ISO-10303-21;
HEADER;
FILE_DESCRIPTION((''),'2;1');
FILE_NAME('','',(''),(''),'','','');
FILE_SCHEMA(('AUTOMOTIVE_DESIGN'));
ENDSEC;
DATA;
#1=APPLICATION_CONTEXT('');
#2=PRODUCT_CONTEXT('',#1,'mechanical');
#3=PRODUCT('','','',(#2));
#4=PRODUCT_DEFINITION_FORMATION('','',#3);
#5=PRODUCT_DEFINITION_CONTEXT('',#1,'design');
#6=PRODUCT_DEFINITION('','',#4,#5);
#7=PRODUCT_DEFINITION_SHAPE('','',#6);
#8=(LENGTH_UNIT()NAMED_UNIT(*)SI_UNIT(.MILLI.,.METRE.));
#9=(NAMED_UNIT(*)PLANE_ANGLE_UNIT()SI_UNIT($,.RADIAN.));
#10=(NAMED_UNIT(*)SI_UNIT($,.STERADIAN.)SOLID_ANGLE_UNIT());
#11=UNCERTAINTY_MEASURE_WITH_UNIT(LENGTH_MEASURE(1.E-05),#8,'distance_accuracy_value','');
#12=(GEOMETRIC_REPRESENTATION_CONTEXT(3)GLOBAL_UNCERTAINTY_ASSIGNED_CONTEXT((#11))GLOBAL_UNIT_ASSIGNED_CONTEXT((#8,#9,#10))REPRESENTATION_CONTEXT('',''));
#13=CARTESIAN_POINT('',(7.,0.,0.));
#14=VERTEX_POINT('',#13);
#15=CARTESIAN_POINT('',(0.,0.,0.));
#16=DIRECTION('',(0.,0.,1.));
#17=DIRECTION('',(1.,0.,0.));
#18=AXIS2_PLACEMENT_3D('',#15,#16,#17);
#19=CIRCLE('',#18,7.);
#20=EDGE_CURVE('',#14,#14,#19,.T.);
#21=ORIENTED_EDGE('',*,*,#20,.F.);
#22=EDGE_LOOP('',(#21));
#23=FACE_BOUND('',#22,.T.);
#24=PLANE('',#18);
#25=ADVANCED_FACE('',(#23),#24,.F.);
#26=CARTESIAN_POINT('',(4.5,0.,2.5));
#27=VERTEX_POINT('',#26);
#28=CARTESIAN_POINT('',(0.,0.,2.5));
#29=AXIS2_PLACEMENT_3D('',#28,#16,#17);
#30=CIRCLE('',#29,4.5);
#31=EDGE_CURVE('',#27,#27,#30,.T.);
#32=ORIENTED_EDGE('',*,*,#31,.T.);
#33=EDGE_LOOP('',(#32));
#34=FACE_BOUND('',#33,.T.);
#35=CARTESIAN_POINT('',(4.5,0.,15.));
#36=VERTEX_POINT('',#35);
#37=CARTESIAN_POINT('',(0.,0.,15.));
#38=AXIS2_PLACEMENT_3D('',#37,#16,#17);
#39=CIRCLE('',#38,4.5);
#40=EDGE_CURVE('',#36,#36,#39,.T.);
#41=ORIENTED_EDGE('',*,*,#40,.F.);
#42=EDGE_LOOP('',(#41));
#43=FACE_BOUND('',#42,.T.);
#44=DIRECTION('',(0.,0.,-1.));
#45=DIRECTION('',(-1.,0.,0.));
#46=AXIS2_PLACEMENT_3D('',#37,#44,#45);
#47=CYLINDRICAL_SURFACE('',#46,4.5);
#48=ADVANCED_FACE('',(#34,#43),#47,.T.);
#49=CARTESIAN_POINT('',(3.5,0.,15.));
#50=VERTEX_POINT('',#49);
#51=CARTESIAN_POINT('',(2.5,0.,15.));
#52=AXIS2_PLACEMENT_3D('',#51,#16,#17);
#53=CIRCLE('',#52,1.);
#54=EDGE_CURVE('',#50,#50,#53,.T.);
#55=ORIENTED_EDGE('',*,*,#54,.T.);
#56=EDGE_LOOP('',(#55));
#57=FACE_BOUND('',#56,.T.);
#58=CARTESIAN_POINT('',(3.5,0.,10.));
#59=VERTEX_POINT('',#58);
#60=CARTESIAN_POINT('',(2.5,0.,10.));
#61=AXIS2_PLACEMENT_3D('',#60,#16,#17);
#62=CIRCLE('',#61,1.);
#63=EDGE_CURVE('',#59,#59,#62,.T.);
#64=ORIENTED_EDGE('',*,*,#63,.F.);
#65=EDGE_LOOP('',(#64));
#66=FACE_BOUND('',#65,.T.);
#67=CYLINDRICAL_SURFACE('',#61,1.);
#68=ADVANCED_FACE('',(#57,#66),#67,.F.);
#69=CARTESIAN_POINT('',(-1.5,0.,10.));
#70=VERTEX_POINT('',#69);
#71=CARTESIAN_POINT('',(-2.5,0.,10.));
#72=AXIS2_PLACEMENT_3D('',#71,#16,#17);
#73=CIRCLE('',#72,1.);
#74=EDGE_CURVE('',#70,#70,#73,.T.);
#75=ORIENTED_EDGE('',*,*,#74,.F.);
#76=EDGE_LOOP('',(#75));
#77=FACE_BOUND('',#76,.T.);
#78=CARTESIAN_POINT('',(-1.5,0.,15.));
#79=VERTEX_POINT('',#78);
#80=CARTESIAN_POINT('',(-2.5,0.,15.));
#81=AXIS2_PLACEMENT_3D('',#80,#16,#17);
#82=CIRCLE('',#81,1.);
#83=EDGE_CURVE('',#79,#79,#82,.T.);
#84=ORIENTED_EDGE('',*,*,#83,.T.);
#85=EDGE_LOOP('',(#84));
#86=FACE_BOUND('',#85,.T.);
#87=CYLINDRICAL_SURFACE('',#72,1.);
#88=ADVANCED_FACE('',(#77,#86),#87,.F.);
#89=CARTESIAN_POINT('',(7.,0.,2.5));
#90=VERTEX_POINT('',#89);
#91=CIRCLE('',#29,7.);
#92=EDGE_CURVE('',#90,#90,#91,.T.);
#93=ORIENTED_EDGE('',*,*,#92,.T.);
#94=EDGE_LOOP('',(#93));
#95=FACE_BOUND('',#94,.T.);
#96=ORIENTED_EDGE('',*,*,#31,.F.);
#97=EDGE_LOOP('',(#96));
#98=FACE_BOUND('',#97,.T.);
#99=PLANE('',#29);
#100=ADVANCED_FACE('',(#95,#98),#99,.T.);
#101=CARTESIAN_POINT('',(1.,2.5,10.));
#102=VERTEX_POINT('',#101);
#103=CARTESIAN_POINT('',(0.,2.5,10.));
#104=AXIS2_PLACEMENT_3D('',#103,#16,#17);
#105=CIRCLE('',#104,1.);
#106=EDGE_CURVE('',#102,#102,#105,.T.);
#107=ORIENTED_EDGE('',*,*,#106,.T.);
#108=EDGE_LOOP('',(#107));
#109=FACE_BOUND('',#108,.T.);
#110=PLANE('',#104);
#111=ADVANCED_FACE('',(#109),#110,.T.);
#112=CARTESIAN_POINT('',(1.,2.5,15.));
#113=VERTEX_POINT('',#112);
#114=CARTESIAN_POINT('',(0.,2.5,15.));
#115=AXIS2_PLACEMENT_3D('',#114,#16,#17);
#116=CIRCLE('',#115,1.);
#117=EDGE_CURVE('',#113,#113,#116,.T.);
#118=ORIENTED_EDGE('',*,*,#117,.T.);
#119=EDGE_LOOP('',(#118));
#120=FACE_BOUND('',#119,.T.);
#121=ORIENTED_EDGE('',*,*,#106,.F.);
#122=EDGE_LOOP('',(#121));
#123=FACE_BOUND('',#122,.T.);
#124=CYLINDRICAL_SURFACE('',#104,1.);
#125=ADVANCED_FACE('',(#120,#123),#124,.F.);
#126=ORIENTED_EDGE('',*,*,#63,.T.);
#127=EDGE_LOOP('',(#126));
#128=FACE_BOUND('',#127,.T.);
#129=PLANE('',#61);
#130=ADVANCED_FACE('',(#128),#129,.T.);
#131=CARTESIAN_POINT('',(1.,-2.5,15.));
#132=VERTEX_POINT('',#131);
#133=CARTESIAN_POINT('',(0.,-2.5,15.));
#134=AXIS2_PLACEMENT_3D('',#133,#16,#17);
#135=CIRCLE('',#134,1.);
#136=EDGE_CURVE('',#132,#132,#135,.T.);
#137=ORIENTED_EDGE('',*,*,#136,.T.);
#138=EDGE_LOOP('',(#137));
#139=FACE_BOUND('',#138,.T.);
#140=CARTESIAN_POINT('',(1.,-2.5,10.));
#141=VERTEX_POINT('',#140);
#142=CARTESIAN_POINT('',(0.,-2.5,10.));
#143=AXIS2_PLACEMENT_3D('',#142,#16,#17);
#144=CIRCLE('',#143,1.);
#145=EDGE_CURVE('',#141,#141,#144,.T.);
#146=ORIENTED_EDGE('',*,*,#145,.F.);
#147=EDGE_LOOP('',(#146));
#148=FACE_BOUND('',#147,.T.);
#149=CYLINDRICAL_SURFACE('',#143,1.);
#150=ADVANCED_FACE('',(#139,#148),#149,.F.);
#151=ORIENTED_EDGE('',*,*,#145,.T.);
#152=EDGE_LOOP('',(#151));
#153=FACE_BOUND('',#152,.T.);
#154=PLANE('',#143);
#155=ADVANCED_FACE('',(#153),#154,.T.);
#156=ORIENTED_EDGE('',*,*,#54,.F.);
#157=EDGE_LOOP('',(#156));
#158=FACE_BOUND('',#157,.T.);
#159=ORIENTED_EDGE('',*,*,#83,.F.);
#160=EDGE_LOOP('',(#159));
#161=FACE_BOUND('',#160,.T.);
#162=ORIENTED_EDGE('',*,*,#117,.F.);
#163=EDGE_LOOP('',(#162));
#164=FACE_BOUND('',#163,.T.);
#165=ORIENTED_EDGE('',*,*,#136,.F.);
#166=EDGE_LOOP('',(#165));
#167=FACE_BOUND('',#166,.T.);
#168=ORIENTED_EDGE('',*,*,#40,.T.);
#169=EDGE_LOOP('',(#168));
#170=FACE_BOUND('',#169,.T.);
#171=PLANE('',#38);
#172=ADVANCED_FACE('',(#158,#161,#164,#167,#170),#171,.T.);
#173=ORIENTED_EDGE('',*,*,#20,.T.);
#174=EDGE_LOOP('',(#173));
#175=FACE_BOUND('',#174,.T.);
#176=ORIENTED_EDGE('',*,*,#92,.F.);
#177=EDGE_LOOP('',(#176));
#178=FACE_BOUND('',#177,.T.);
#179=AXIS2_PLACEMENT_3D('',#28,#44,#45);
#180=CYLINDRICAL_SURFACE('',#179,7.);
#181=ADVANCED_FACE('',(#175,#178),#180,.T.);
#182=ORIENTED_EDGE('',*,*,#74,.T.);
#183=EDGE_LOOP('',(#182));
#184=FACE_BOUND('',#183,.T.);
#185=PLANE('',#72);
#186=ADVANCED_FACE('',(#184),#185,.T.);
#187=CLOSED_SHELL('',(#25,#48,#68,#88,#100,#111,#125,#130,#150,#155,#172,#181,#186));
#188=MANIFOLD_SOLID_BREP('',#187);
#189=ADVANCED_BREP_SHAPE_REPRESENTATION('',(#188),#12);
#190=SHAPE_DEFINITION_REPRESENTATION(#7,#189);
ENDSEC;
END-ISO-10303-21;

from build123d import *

# Parameters (mm, degrees)
SKETCH1_R           = 7
BOSS_EXTRUDE1_DEPTH = 2.5
SKETCH2_R           = 4.5
BOSS_EXTRUDE2_DEPTH = 12.5
SKETCH3_R           = 1
CUT_EXTRUDE1_DEPTH  = 5


with BuildPart() as part:
    # Sketch1 → Boss-Extrude1 (new body)
    with BuildSketch(Plane.XY):
        Circle(SKETCH1_R)
    extrude(amount=BOSS_EXTRUDE1_DEPTH)

    # Sketch2 → Boss-Extrude2 (add)
    with BuildSketch(Plane.XY.offset(2.5)):
        Circle(SKETCH2_R)
    extrude(amount=BOSS_EXTRUDE2_DEPTH)

    # Sketch3 → Cut-Extrude1 (cut)
    with BuildSketch(Plane.XY.offset(15)):
        with Locations((0, 2.5)):
            Circle(SKETCH3_R)
        with Locations((2.5, 0)):
            Circle(SKETCH3_R)
        with Locations((0, -2.5)):
            Circle(SKETCH3_R)
        with Locations((-2.5, 0)):
            Circle(SKETCH3_R)
    extrude(amount=-CUT_EXTRUDE1_DEPTH, mode=Mode.SUBTRACT)


solid = part.part
